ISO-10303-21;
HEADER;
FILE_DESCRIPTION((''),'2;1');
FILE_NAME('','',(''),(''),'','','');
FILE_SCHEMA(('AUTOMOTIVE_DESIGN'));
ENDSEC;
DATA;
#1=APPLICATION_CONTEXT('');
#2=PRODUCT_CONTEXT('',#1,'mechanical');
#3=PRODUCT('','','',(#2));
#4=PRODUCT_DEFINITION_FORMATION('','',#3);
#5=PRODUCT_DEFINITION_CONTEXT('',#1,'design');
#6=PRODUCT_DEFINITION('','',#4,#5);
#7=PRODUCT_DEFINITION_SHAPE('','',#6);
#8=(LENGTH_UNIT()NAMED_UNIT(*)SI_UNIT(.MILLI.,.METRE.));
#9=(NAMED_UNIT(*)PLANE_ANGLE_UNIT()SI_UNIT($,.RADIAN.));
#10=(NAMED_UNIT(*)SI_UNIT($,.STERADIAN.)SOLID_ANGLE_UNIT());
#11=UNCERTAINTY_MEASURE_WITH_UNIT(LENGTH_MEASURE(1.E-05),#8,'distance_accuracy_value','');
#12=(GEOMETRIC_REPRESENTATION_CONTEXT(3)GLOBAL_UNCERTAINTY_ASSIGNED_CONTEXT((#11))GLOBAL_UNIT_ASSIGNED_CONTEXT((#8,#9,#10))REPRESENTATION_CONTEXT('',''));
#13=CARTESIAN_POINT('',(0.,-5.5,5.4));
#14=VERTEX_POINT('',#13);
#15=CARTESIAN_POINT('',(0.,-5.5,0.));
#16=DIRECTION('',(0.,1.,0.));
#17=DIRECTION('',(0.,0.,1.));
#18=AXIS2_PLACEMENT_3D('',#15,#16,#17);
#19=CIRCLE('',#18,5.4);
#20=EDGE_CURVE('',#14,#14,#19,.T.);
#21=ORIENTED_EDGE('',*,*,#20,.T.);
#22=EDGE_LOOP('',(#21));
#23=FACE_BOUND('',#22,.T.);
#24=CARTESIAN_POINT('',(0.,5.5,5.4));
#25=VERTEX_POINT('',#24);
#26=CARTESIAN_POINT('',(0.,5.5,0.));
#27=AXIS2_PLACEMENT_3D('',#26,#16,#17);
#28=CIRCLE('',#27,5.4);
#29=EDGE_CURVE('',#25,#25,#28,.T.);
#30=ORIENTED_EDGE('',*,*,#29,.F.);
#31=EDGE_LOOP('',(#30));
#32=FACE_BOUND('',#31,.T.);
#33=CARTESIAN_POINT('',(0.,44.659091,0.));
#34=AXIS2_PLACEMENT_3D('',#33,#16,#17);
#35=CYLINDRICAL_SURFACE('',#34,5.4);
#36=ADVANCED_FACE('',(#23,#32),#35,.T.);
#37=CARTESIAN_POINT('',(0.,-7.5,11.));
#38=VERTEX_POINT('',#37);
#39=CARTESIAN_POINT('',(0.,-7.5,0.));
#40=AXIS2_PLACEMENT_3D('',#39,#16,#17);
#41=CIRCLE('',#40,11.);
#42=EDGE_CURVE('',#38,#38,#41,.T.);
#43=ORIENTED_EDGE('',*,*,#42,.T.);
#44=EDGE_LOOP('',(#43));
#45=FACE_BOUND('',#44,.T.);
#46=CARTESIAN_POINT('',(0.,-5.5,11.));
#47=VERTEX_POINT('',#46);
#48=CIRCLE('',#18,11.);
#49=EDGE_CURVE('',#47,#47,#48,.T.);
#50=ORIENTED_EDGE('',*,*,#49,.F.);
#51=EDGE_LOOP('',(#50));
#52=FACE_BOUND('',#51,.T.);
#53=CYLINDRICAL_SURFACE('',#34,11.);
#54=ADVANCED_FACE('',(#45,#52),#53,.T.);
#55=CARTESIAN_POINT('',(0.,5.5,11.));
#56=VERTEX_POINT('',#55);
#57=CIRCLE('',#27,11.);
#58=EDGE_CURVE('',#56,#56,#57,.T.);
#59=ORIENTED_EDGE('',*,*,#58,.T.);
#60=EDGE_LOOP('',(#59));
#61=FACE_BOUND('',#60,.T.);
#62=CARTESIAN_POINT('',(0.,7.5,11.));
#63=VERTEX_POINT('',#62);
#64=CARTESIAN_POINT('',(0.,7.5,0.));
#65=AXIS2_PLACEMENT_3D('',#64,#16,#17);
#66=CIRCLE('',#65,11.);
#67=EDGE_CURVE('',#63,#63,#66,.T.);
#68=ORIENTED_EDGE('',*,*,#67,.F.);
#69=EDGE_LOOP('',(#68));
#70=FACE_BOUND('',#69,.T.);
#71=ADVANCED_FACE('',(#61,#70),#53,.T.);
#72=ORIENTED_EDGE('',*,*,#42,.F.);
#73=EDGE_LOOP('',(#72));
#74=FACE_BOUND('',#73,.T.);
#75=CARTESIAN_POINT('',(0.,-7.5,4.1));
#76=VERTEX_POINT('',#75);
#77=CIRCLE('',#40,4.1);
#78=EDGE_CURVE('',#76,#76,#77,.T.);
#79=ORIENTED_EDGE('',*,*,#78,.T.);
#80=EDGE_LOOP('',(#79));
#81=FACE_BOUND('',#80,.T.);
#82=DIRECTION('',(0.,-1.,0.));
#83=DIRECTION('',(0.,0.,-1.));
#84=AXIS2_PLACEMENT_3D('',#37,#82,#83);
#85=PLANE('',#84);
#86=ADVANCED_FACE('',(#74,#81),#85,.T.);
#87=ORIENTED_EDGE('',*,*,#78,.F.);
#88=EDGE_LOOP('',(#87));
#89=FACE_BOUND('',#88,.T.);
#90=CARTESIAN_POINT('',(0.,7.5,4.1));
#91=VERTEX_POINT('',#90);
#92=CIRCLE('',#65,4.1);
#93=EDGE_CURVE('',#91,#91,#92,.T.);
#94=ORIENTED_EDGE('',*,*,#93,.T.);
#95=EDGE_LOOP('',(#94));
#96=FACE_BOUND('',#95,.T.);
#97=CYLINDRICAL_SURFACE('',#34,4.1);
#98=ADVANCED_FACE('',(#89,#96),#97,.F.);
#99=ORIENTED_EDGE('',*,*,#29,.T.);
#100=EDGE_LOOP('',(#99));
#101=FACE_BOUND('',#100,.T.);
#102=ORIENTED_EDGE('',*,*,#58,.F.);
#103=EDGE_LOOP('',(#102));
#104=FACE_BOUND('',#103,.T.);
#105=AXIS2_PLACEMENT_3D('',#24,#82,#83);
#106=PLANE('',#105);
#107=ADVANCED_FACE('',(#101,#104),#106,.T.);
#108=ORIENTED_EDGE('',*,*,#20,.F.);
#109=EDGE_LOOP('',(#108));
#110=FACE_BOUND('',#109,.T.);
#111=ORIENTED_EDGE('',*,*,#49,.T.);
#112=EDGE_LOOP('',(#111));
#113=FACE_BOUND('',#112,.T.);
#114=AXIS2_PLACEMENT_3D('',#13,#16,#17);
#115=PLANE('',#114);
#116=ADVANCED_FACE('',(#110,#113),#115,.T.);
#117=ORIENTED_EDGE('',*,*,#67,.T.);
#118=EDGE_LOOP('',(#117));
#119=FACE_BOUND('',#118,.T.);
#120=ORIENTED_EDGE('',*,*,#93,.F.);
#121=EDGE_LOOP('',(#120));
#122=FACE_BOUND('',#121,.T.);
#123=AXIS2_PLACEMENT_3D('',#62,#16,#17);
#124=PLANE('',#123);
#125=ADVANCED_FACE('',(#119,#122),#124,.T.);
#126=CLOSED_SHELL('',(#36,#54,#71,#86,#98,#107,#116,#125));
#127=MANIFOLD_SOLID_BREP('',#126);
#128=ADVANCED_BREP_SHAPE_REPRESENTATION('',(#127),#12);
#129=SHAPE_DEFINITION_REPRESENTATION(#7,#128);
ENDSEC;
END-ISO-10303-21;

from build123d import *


with BuildPart() as part:
    # Sketch1 → Revolve1 (revolve)
    with BuildSketch(Plane(origin=(0, 0, 0), x_dir=(0, 0, -1), z_dir=(1, 0, 0))):
        Polygon((-5.4, 5.5), (-5.4, -5.5), (-11, -5.5), (-11, -7.5), (-4.1, -7.5), (-4.1, 7.5), (-11, 7.5), (-11, 5.5), align=None)
    revolve(axis=Axis((0, 44.659090909, 0), (0, -1, 0)))


solid = part.part
